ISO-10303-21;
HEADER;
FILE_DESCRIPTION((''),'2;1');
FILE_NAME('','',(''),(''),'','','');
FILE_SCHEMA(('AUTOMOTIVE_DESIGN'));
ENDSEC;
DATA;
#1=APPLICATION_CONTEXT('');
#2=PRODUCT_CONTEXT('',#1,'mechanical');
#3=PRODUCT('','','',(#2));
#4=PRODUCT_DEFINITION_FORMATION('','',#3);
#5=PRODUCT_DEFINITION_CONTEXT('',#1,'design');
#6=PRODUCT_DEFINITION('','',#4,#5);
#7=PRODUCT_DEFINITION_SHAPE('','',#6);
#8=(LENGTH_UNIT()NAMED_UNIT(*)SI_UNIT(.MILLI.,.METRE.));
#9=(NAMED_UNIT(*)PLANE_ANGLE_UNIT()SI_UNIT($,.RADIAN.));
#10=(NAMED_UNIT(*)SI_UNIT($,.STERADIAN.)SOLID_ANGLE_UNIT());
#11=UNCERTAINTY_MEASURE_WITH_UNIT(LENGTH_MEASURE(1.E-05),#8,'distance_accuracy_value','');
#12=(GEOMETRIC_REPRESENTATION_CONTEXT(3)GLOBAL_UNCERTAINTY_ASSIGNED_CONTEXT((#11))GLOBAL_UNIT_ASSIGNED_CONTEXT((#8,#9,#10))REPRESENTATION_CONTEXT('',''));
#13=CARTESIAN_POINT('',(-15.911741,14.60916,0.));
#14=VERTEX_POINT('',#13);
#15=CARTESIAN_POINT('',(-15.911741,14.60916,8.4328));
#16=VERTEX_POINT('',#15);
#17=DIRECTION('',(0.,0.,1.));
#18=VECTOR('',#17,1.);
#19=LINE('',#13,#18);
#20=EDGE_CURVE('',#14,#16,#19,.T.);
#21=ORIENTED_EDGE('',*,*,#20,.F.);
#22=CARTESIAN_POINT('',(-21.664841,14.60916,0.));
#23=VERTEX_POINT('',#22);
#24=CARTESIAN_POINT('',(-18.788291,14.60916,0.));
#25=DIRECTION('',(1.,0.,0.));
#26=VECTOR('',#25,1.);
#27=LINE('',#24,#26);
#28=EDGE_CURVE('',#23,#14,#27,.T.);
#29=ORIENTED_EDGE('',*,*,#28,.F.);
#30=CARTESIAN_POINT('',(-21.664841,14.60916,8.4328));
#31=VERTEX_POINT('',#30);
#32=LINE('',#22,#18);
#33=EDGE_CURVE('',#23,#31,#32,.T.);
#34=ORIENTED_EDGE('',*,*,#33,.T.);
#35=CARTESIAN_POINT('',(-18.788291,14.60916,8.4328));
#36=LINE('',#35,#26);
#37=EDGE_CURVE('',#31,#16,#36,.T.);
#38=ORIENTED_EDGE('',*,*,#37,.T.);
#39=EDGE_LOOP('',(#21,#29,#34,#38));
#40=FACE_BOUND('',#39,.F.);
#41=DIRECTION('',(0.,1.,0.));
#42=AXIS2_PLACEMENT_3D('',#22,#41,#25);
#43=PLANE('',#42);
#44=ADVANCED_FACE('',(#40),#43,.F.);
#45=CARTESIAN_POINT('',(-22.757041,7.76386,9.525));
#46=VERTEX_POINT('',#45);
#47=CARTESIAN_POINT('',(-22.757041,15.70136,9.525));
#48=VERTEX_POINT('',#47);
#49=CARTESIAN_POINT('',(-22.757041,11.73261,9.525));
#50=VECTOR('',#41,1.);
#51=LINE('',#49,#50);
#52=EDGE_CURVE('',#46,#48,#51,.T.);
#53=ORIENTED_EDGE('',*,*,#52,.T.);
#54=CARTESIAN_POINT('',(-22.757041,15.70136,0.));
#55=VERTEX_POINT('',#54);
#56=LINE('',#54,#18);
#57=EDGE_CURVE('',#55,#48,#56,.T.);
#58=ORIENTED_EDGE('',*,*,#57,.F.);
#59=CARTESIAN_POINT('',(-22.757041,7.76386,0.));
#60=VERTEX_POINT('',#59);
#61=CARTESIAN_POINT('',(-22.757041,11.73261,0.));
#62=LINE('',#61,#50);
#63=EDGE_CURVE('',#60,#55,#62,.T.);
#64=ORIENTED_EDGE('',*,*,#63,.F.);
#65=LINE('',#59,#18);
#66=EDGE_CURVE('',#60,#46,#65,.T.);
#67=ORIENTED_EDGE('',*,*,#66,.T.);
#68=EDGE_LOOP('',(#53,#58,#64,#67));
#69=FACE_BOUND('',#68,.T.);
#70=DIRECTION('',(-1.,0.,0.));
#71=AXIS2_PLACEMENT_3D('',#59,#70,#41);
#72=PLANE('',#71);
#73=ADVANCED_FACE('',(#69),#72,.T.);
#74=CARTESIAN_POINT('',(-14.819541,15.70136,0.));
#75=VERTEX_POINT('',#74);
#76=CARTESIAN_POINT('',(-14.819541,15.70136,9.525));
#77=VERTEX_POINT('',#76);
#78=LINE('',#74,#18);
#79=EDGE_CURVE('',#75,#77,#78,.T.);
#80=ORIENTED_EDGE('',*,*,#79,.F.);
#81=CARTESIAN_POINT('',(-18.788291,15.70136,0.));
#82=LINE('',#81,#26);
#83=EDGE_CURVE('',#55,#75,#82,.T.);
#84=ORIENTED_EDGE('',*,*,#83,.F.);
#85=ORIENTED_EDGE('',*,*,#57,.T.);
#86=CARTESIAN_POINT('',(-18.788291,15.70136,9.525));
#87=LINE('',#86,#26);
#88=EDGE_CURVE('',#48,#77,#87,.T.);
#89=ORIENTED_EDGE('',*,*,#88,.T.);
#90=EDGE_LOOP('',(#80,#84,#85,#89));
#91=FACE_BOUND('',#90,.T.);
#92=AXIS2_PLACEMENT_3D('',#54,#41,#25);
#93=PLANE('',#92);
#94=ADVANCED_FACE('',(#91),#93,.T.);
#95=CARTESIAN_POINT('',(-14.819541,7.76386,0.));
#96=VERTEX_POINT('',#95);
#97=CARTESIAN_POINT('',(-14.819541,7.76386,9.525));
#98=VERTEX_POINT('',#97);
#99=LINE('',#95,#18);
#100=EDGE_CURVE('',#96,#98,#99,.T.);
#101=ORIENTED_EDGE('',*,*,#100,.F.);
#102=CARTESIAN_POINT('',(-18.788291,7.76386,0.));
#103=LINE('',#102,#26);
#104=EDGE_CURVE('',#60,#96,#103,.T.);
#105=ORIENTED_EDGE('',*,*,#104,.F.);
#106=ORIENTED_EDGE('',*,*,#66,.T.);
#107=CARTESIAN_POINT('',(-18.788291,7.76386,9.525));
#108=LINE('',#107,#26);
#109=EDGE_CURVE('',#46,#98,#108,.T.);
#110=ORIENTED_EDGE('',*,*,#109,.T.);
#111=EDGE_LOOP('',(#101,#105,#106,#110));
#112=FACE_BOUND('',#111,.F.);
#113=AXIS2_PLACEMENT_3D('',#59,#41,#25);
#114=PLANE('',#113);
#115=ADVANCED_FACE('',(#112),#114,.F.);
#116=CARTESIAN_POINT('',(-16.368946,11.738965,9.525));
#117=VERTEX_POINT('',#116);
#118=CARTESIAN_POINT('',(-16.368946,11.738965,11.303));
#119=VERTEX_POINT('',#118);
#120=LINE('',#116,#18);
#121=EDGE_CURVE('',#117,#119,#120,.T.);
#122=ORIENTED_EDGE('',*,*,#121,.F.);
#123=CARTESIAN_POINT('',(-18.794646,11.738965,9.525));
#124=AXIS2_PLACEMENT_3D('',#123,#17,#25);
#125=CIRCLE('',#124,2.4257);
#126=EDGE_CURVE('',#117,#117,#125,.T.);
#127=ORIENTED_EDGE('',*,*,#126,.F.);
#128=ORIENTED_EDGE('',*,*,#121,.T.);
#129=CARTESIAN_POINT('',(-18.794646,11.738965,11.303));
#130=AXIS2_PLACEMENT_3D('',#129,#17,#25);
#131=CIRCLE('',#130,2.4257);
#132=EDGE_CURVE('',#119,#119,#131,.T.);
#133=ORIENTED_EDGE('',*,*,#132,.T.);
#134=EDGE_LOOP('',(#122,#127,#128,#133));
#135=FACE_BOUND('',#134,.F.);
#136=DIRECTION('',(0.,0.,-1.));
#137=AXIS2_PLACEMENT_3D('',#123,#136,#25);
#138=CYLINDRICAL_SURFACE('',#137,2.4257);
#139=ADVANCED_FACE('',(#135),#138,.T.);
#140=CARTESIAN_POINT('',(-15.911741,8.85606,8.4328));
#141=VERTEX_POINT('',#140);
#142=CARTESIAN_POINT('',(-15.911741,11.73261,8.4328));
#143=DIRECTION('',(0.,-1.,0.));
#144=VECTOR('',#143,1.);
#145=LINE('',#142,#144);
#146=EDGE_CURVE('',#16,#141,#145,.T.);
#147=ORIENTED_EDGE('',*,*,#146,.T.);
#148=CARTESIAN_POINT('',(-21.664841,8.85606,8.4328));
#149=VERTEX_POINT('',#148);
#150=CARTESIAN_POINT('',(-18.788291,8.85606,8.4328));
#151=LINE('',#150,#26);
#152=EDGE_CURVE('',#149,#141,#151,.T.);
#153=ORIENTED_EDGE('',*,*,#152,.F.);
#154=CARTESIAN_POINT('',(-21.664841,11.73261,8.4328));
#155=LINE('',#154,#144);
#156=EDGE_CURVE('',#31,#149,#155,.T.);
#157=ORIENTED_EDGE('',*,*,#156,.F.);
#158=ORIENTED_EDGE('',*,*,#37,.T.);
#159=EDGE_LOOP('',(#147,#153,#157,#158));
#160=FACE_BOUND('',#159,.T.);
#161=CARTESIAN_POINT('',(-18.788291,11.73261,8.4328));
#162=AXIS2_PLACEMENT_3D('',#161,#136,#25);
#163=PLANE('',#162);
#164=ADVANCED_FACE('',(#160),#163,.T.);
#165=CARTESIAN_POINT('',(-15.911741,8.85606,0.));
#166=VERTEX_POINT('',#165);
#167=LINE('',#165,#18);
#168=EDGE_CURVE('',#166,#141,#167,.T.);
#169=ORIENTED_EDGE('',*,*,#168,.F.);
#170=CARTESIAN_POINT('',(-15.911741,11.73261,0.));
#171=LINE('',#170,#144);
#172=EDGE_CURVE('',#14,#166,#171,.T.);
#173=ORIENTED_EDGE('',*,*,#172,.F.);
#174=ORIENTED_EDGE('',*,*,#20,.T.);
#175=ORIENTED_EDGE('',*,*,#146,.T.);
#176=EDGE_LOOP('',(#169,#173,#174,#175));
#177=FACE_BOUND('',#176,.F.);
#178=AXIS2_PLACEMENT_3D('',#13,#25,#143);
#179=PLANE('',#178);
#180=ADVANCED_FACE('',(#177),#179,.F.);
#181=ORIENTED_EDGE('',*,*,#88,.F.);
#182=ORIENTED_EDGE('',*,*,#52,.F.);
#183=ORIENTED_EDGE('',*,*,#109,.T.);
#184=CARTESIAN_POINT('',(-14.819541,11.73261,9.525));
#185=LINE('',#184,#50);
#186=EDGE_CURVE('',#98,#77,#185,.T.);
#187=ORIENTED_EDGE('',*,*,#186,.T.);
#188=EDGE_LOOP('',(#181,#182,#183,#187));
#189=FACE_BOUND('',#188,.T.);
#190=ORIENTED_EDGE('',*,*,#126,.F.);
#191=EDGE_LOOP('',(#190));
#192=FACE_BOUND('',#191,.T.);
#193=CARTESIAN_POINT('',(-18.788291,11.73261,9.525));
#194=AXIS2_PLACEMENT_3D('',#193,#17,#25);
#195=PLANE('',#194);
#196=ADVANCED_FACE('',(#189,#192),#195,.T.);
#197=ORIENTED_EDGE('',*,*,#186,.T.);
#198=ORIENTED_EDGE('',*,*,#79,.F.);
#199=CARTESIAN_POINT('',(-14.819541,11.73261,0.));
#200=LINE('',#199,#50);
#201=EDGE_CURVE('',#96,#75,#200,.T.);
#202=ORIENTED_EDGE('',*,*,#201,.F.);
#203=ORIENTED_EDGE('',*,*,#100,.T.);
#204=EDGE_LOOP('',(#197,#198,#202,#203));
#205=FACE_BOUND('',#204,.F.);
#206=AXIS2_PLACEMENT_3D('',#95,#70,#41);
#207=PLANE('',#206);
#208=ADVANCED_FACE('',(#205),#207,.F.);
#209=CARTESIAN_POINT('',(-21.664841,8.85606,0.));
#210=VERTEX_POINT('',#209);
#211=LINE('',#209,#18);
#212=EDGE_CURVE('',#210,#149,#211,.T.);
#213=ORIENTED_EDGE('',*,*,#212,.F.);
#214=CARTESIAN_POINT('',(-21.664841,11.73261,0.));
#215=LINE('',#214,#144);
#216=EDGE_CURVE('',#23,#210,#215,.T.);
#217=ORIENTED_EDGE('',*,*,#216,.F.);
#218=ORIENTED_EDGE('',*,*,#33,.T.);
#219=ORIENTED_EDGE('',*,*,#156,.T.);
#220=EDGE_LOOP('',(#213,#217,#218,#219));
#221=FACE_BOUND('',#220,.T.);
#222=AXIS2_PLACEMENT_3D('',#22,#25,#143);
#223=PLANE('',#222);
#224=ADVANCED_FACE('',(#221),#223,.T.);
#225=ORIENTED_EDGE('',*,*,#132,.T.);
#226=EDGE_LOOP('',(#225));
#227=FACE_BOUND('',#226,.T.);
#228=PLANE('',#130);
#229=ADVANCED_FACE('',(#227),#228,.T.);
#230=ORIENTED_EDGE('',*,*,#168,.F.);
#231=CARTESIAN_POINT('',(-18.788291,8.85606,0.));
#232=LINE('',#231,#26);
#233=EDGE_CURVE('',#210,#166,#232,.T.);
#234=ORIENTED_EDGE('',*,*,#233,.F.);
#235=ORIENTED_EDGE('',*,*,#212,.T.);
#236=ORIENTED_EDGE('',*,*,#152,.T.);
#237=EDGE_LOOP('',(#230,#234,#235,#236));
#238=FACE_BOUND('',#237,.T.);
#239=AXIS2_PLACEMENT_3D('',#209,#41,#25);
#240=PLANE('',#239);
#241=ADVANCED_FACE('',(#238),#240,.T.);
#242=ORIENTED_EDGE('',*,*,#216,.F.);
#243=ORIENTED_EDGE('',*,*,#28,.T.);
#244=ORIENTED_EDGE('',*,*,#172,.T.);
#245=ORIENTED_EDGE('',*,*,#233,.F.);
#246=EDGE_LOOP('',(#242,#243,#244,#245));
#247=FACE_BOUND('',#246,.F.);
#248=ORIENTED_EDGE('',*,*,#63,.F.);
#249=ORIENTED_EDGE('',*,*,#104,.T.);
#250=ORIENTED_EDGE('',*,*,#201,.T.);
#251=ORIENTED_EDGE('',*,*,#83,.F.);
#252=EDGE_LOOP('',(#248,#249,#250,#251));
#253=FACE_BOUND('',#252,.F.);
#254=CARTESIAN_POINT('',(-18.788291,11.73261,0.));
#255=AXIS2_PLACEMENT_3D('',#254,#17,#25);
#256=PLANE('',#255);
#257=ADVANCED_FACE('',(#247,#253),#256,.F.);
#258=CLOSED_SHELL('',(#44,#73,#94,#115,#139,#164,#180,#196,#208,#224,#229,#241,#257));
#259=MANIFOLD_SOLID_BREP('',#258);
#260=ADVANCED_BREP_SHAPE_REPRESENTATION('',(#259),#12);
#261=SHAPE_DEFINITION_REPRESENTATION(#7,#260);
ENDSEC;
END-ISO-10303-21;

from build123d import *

# Parameters (mm, degrees)
F0_W     = 7.9375
F0_H     = 7.9375
F1_DEPTH = 9.525
F2_R     = 2.4257
F3_DEPTH = 1.778
F4_W     = 5.7531
F4_H     = 5.7531
F5_DEPTH = 8.4328


with BuildPart() as f1:
    # F0 (on Top) → F1 (new body)
    with BuildSketch(Plane.XY):
        with Locations((-18.788291, 11.73261)):
            Rectangle(F0_W, F0_H)
    extrude(amount=F1_DEPTH)

    # F2 (on face) → F3 (join)
    with BuildSketch(Plane.XY.offset(9.525)):
        with Locations((-18.794646, 11.738965)):
            Circle(F2_R)
    extrude(amount=F3_DEPTH)

    # F4 (on face) → F5 (cut)
    with BuildSketch(Plane(origin=(0, 0, 0), x_dir=(1, 0, 0), z_dir=(0, 0, -1))):
        with Locations((-18.788291, -11.73261)):
            Rectangle(F4_W, F4_H)
    extrude(amount=-F5_DEPTH, mode=Mode.SUBTRACT)


solid = f1.part
